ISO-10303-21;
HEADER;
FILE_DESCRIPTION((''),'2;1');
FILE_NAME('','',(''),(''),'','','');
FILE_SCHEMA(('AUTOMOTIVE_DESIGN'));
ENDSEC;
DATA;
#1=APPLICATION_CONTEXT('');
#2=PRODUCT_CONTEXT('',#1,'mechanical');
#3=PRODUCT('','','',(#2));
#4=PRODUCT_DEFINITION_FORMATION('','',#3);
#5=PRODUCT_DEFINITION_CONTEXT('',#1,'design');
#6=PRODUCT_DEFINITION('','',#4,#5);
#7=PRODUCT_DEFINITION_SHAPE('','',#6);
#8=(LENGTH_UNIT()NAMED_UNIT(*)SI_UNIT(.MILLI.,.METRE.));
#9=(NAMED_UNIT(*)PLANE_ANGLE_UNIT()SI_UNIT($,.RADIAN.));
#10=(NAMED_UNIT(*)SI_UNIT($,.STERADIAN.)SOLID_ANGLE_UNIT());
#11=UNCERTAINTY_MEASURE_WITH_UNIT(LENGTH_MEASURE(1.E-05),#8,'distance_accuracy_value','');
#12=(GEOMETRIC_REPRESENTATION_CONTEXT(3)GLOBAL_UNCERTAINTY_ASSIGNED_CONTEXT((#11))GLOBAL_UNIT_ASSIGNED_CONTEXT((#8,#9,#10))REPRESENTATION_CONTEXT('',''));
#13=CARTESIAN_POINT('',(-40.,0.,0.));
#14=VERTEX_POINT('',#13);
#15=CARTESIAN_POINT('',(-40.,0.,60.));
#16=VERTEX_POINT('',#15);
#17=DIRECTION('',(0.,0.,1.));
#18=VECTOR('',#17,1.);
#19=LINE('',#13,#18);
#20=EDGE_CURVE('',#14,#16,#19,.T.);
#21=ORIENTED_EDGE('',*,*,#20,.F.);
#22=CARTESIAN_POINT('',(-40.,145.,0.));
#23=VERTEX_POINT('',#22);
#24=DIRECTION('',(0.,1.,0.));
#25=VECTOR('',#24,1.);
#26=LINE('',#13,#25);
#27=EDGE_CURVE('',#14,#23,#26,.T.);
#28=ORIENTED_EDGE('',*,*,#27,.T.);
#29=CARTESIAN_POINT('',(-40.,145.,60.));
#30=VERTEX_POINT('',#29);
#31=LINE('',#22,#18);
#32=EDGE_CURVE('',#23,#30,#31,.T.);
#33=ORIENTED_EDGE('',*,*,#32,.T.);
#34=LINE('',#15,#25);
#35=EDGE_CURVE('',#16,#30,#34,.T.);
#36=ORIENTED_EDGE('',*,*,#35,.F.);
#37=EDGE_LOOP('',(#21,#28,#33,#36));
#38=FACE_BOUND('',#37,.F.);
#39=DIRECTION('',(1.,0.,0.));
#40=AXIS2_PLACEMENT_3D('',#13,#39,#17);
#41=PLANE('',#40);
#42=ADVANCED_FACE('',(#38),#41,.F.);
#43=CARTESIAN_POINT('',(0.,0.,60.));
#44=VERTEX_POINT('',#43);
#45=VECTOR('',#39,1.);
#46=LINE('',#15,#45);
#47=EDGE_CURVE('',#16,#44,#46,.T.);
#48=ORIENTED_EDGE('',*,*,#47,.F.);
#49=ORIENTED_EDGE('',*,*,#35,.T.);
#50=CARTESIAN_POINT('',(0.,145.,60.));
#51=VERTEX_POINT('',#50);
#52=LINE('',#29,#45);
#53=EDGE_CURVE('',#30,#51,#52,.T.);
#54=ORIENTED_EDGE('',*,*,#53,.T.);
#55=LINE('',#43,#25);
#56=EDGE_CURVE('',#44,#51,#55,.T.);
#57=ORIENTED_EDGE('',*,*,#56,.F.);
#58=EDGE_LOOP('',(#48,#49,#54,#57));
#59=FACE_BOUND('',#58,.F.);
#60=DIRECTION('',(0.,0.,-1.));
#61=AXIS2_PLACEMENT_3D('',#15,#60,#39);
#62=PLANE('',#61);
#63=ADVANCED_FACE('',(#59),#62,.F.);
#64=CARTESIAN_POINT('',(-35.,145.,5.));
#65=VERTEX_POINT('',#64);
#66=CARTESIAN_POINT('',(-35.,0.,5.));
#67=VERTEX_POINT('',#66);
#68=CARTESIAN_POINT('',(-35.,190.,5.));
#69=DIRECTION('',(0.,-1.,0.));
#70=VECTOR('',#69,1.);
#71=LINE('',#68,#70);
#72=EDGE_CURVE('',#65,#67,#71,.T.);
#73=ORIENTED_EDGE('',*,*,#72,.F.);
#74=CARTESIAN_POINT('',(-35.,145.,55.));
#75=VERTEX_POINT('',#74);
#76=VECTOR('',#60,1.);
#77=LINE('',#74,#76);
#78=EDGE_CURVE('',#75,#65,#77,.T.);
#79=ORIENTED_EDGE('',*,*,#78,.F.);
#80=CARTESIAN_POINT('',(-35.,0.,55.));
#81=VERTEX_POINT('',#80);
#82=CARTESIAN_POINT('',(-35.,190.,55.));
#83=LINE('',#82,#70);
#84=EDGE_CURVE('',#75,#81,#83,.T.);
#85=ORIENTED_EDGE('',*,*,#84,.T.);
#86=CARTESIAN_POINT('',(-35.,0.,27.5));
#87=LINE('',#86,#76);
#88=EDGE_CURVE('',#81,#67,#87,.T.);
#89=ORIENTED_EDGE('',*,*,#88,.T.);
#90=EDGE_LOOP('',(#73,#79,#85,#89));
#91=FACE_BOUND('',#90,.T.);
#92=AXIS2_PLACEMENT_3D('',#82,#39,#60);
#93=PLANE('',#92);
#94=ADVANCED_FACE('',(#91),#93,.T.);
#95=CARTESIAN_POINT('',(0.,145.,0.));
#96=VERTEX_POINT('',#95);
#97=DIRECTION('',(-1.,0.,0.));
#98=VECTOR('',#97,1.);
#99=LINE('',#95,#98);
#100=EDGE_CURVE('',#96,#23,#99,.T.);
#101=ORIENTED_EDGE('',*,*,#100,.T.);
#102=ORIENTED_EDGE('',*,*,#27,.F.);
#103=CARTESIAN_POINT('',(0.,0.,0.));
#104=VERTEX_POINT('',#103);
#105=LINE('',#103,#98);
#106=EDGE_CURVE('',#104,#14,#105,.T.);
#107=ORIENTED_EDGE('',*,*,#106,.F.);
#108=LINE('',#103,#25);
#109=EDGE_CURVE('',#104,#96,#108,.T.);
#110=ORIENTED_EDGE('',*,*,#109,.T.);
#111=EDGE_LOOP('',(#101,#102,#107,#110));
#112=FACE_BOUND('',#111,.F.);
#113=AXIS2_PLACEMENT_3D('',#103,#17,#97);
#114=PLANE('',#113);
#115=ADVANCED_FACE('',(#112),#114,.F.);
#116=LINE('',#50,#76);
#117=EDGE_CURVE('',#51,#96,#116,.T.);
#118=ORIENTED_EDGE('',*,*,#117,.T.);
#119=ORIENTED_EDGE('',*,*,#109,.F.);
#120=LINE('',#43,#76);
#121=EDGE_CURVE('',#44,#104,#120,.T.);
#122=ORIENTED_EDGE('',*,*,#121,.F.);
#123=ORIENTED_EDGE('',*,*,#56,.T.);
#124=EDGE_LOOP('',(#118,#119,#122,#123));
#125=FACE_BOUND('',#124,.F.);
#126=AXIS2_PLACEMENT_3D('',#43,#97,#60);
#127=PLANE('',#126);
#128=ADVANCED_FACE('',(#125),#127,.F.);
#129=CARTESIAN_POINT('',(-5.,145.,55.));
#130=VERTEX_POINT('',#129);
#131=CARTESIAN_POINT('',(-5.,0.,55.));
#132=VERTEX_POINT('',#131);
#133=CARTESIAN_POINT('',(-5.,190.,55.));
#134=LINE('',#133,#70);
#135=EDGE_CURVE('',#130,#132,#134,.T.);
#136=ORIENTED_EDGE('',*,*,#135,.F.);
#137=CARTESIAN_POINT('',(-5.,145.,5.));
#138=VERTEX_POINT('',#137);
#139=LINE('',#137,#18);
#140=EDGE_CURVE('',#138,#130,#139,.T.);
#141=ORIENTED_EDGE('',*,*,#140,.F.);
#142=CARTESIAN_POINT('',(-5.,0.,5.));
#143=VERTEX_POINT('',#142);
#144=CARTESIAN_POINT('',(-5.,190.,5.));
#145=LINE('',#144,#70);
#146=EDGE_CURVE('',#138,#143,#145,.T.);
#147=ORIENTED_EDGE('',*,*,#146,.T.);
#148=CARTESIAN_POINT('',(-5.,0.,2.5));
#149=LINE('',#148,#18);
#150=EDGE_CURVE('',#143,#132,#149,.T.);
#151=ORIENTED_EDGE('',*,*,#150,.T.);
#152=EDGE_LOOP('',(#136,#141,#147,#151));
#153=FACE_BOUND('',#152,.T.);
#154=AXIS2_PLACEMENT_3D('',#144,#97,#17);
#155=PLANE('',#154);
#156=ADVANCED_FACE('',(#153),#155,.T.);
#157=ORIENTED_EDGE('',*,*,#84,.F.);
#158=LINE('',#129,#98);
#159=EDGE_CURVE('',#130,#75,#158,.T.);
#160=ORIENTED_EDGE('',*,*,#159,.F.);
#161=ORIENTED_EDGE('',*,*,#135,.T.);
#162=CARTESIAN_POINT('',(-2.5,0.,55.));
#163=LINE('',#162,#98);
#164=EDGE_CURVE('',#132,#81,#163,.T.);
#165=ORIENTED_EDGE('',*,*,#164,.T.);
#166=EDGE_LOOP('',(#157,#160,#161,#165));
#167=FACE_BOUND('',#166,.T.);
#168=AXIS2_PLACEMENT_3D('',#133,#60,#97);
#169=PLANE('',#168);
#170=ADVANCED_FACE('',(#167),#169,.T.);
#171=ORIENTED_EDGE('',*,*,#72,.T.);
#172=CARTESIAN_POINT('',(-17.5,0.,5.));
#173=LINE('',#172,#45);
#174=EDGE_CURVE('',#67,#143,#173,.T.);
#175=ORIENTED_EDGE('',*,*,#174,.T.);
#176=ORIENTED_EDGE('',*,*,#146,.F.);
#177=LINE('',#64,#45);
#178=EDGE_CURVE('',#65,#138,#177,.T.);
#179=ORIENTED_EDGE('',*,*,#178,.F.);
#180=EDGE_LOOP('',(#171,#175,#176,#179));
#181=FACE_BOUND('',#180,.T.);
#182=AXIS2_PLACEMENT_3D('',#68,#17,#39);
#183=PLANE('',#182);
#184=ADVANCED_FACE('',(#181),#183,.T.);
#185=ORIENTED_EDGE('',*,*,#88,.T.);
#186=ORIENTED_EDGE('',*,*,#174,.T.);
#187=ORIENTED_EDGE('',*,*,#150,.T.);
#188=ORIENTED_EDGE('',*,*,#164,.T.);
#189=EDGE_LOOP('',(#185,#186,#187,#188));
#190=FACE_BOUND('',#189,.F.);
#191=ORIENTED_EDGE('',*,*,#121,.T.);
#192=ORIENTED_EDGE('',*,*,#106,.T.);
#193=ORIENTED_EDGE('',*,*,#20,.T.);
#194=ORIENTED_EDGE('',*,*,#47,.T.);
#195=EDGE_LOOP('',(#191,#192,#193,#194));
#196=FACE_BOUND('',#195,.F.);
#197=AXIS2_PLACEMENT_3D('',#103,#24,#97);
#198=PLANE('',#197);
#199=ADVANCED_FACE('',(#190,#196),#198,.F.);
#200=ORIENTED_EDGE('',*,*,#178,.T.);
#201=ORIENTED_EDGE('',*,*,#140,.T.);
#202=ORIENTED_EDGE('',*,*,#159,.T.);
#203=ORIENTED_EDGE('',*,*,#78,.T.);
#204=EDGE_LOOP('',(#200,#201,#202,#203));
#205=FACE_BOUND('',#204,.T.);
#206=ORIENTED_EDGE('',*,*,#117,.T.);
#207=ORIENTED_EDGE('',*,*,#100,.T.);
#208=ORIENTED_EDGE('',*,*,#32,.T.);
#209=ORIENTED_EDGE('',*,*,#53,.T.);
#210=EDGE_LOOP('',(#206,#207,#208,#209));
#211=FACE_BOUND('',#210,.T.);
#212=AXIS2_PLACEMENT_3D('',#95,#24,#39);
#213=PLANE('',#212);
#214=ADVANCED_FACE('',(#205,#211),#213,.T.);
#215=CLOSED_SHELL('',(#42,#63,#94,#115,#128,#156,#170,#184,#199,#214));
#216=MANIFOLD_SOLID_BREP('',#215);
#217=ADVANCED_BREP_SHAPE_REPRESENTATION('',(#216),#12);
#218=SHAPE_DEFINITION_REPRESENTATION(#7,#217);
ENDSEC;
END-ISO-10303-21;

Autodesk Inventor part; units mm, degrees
ref_plane "YZ Plane" through (0, 0, 0) normal (1, 0, 0) x (0, 1, 0)
ref_plane "XZ Plane" through (0, 0, 0) normal (0, 1, 0) x (-1, 0, 0)
ref_plane "XY Plane" through (0, 0, 0) normal (0, 0, 1) x (1, 0, 0)
sketch "Эскиз1" plane through (0, 0, 0) normal (0, 1, 0) x (-1, 0, 0)
  line L0 (0, 0) -> (40, 0)
  line L1 (40, 0) -> (40, 60)
  line L2 (40, 60) -> (0, 60)
  line L3 (0, 60) -> (0, 0)
  dimension "d0" = 60
  dimension "d1" = 40
extrude "Выдавливание1" add sketch "Эскиз1" along normal blind 190
sketch "Эскиз2" plane through (0, 190, 0) normal (0, 1, 0) x (1, 0, 0)
  line L0 (-35, -5) -> (-5, -5)
  line L1 (-5, -5) -> (-5, -55)
  line L2 (-5, -55) -> (-35, -55)
  line L3 (-35, -55) -> (-35, -5)
  line L4 (-40, 0) -> (-40, -60) projected
  line L5 (0, -60) -> (0, 0) projected
  line L6 (0, 0) -> (-40, 0) projected
  line L7 (-40, -60) -> (0, -60) projected
  dimension "d4" = 5
  dimension "d5" = 5
  dimension "d6" = 5
  dimension "d7" = 5
extrude "Выдавливание2" cut sketch "Эскиз2" against normal through all contours L0 L1 L2 L3
sketch "Эскиз3" plane through (-40, 0, 60) normal (0, 0, 1) x (1, 0, 0)
  point P0 (40, 0)
sketch "Эскиз5" plane through (0, 190, 0) normal (0, 1, 0) x (1, 0, 0)
  line L0 (-5, -5) -> (-5, -55) projected
  line L1 (-5, -55) -> (-35, -55) projected
  line L2 (-35, -55) -> (-35, -5) projected
  line L3 (-35, -5) -> (-5, -5) projected
  line L4 (-40, 0) -> (-40, -60) projected
  line L5 (-40, -60) -> (0, -60) projected
  line L6 (0, -60) -> (0, 0) projected
  line L7 (0, 0) -> (-40, 0) projected
extrude "Выдавливание4" cut sketch "Эскиз5" against normal blind 45
equation "\"d5\" = d4"
equation "\"d6\" = d4"
equation "\"d7\" = d4"
properties part number "БРУС"
